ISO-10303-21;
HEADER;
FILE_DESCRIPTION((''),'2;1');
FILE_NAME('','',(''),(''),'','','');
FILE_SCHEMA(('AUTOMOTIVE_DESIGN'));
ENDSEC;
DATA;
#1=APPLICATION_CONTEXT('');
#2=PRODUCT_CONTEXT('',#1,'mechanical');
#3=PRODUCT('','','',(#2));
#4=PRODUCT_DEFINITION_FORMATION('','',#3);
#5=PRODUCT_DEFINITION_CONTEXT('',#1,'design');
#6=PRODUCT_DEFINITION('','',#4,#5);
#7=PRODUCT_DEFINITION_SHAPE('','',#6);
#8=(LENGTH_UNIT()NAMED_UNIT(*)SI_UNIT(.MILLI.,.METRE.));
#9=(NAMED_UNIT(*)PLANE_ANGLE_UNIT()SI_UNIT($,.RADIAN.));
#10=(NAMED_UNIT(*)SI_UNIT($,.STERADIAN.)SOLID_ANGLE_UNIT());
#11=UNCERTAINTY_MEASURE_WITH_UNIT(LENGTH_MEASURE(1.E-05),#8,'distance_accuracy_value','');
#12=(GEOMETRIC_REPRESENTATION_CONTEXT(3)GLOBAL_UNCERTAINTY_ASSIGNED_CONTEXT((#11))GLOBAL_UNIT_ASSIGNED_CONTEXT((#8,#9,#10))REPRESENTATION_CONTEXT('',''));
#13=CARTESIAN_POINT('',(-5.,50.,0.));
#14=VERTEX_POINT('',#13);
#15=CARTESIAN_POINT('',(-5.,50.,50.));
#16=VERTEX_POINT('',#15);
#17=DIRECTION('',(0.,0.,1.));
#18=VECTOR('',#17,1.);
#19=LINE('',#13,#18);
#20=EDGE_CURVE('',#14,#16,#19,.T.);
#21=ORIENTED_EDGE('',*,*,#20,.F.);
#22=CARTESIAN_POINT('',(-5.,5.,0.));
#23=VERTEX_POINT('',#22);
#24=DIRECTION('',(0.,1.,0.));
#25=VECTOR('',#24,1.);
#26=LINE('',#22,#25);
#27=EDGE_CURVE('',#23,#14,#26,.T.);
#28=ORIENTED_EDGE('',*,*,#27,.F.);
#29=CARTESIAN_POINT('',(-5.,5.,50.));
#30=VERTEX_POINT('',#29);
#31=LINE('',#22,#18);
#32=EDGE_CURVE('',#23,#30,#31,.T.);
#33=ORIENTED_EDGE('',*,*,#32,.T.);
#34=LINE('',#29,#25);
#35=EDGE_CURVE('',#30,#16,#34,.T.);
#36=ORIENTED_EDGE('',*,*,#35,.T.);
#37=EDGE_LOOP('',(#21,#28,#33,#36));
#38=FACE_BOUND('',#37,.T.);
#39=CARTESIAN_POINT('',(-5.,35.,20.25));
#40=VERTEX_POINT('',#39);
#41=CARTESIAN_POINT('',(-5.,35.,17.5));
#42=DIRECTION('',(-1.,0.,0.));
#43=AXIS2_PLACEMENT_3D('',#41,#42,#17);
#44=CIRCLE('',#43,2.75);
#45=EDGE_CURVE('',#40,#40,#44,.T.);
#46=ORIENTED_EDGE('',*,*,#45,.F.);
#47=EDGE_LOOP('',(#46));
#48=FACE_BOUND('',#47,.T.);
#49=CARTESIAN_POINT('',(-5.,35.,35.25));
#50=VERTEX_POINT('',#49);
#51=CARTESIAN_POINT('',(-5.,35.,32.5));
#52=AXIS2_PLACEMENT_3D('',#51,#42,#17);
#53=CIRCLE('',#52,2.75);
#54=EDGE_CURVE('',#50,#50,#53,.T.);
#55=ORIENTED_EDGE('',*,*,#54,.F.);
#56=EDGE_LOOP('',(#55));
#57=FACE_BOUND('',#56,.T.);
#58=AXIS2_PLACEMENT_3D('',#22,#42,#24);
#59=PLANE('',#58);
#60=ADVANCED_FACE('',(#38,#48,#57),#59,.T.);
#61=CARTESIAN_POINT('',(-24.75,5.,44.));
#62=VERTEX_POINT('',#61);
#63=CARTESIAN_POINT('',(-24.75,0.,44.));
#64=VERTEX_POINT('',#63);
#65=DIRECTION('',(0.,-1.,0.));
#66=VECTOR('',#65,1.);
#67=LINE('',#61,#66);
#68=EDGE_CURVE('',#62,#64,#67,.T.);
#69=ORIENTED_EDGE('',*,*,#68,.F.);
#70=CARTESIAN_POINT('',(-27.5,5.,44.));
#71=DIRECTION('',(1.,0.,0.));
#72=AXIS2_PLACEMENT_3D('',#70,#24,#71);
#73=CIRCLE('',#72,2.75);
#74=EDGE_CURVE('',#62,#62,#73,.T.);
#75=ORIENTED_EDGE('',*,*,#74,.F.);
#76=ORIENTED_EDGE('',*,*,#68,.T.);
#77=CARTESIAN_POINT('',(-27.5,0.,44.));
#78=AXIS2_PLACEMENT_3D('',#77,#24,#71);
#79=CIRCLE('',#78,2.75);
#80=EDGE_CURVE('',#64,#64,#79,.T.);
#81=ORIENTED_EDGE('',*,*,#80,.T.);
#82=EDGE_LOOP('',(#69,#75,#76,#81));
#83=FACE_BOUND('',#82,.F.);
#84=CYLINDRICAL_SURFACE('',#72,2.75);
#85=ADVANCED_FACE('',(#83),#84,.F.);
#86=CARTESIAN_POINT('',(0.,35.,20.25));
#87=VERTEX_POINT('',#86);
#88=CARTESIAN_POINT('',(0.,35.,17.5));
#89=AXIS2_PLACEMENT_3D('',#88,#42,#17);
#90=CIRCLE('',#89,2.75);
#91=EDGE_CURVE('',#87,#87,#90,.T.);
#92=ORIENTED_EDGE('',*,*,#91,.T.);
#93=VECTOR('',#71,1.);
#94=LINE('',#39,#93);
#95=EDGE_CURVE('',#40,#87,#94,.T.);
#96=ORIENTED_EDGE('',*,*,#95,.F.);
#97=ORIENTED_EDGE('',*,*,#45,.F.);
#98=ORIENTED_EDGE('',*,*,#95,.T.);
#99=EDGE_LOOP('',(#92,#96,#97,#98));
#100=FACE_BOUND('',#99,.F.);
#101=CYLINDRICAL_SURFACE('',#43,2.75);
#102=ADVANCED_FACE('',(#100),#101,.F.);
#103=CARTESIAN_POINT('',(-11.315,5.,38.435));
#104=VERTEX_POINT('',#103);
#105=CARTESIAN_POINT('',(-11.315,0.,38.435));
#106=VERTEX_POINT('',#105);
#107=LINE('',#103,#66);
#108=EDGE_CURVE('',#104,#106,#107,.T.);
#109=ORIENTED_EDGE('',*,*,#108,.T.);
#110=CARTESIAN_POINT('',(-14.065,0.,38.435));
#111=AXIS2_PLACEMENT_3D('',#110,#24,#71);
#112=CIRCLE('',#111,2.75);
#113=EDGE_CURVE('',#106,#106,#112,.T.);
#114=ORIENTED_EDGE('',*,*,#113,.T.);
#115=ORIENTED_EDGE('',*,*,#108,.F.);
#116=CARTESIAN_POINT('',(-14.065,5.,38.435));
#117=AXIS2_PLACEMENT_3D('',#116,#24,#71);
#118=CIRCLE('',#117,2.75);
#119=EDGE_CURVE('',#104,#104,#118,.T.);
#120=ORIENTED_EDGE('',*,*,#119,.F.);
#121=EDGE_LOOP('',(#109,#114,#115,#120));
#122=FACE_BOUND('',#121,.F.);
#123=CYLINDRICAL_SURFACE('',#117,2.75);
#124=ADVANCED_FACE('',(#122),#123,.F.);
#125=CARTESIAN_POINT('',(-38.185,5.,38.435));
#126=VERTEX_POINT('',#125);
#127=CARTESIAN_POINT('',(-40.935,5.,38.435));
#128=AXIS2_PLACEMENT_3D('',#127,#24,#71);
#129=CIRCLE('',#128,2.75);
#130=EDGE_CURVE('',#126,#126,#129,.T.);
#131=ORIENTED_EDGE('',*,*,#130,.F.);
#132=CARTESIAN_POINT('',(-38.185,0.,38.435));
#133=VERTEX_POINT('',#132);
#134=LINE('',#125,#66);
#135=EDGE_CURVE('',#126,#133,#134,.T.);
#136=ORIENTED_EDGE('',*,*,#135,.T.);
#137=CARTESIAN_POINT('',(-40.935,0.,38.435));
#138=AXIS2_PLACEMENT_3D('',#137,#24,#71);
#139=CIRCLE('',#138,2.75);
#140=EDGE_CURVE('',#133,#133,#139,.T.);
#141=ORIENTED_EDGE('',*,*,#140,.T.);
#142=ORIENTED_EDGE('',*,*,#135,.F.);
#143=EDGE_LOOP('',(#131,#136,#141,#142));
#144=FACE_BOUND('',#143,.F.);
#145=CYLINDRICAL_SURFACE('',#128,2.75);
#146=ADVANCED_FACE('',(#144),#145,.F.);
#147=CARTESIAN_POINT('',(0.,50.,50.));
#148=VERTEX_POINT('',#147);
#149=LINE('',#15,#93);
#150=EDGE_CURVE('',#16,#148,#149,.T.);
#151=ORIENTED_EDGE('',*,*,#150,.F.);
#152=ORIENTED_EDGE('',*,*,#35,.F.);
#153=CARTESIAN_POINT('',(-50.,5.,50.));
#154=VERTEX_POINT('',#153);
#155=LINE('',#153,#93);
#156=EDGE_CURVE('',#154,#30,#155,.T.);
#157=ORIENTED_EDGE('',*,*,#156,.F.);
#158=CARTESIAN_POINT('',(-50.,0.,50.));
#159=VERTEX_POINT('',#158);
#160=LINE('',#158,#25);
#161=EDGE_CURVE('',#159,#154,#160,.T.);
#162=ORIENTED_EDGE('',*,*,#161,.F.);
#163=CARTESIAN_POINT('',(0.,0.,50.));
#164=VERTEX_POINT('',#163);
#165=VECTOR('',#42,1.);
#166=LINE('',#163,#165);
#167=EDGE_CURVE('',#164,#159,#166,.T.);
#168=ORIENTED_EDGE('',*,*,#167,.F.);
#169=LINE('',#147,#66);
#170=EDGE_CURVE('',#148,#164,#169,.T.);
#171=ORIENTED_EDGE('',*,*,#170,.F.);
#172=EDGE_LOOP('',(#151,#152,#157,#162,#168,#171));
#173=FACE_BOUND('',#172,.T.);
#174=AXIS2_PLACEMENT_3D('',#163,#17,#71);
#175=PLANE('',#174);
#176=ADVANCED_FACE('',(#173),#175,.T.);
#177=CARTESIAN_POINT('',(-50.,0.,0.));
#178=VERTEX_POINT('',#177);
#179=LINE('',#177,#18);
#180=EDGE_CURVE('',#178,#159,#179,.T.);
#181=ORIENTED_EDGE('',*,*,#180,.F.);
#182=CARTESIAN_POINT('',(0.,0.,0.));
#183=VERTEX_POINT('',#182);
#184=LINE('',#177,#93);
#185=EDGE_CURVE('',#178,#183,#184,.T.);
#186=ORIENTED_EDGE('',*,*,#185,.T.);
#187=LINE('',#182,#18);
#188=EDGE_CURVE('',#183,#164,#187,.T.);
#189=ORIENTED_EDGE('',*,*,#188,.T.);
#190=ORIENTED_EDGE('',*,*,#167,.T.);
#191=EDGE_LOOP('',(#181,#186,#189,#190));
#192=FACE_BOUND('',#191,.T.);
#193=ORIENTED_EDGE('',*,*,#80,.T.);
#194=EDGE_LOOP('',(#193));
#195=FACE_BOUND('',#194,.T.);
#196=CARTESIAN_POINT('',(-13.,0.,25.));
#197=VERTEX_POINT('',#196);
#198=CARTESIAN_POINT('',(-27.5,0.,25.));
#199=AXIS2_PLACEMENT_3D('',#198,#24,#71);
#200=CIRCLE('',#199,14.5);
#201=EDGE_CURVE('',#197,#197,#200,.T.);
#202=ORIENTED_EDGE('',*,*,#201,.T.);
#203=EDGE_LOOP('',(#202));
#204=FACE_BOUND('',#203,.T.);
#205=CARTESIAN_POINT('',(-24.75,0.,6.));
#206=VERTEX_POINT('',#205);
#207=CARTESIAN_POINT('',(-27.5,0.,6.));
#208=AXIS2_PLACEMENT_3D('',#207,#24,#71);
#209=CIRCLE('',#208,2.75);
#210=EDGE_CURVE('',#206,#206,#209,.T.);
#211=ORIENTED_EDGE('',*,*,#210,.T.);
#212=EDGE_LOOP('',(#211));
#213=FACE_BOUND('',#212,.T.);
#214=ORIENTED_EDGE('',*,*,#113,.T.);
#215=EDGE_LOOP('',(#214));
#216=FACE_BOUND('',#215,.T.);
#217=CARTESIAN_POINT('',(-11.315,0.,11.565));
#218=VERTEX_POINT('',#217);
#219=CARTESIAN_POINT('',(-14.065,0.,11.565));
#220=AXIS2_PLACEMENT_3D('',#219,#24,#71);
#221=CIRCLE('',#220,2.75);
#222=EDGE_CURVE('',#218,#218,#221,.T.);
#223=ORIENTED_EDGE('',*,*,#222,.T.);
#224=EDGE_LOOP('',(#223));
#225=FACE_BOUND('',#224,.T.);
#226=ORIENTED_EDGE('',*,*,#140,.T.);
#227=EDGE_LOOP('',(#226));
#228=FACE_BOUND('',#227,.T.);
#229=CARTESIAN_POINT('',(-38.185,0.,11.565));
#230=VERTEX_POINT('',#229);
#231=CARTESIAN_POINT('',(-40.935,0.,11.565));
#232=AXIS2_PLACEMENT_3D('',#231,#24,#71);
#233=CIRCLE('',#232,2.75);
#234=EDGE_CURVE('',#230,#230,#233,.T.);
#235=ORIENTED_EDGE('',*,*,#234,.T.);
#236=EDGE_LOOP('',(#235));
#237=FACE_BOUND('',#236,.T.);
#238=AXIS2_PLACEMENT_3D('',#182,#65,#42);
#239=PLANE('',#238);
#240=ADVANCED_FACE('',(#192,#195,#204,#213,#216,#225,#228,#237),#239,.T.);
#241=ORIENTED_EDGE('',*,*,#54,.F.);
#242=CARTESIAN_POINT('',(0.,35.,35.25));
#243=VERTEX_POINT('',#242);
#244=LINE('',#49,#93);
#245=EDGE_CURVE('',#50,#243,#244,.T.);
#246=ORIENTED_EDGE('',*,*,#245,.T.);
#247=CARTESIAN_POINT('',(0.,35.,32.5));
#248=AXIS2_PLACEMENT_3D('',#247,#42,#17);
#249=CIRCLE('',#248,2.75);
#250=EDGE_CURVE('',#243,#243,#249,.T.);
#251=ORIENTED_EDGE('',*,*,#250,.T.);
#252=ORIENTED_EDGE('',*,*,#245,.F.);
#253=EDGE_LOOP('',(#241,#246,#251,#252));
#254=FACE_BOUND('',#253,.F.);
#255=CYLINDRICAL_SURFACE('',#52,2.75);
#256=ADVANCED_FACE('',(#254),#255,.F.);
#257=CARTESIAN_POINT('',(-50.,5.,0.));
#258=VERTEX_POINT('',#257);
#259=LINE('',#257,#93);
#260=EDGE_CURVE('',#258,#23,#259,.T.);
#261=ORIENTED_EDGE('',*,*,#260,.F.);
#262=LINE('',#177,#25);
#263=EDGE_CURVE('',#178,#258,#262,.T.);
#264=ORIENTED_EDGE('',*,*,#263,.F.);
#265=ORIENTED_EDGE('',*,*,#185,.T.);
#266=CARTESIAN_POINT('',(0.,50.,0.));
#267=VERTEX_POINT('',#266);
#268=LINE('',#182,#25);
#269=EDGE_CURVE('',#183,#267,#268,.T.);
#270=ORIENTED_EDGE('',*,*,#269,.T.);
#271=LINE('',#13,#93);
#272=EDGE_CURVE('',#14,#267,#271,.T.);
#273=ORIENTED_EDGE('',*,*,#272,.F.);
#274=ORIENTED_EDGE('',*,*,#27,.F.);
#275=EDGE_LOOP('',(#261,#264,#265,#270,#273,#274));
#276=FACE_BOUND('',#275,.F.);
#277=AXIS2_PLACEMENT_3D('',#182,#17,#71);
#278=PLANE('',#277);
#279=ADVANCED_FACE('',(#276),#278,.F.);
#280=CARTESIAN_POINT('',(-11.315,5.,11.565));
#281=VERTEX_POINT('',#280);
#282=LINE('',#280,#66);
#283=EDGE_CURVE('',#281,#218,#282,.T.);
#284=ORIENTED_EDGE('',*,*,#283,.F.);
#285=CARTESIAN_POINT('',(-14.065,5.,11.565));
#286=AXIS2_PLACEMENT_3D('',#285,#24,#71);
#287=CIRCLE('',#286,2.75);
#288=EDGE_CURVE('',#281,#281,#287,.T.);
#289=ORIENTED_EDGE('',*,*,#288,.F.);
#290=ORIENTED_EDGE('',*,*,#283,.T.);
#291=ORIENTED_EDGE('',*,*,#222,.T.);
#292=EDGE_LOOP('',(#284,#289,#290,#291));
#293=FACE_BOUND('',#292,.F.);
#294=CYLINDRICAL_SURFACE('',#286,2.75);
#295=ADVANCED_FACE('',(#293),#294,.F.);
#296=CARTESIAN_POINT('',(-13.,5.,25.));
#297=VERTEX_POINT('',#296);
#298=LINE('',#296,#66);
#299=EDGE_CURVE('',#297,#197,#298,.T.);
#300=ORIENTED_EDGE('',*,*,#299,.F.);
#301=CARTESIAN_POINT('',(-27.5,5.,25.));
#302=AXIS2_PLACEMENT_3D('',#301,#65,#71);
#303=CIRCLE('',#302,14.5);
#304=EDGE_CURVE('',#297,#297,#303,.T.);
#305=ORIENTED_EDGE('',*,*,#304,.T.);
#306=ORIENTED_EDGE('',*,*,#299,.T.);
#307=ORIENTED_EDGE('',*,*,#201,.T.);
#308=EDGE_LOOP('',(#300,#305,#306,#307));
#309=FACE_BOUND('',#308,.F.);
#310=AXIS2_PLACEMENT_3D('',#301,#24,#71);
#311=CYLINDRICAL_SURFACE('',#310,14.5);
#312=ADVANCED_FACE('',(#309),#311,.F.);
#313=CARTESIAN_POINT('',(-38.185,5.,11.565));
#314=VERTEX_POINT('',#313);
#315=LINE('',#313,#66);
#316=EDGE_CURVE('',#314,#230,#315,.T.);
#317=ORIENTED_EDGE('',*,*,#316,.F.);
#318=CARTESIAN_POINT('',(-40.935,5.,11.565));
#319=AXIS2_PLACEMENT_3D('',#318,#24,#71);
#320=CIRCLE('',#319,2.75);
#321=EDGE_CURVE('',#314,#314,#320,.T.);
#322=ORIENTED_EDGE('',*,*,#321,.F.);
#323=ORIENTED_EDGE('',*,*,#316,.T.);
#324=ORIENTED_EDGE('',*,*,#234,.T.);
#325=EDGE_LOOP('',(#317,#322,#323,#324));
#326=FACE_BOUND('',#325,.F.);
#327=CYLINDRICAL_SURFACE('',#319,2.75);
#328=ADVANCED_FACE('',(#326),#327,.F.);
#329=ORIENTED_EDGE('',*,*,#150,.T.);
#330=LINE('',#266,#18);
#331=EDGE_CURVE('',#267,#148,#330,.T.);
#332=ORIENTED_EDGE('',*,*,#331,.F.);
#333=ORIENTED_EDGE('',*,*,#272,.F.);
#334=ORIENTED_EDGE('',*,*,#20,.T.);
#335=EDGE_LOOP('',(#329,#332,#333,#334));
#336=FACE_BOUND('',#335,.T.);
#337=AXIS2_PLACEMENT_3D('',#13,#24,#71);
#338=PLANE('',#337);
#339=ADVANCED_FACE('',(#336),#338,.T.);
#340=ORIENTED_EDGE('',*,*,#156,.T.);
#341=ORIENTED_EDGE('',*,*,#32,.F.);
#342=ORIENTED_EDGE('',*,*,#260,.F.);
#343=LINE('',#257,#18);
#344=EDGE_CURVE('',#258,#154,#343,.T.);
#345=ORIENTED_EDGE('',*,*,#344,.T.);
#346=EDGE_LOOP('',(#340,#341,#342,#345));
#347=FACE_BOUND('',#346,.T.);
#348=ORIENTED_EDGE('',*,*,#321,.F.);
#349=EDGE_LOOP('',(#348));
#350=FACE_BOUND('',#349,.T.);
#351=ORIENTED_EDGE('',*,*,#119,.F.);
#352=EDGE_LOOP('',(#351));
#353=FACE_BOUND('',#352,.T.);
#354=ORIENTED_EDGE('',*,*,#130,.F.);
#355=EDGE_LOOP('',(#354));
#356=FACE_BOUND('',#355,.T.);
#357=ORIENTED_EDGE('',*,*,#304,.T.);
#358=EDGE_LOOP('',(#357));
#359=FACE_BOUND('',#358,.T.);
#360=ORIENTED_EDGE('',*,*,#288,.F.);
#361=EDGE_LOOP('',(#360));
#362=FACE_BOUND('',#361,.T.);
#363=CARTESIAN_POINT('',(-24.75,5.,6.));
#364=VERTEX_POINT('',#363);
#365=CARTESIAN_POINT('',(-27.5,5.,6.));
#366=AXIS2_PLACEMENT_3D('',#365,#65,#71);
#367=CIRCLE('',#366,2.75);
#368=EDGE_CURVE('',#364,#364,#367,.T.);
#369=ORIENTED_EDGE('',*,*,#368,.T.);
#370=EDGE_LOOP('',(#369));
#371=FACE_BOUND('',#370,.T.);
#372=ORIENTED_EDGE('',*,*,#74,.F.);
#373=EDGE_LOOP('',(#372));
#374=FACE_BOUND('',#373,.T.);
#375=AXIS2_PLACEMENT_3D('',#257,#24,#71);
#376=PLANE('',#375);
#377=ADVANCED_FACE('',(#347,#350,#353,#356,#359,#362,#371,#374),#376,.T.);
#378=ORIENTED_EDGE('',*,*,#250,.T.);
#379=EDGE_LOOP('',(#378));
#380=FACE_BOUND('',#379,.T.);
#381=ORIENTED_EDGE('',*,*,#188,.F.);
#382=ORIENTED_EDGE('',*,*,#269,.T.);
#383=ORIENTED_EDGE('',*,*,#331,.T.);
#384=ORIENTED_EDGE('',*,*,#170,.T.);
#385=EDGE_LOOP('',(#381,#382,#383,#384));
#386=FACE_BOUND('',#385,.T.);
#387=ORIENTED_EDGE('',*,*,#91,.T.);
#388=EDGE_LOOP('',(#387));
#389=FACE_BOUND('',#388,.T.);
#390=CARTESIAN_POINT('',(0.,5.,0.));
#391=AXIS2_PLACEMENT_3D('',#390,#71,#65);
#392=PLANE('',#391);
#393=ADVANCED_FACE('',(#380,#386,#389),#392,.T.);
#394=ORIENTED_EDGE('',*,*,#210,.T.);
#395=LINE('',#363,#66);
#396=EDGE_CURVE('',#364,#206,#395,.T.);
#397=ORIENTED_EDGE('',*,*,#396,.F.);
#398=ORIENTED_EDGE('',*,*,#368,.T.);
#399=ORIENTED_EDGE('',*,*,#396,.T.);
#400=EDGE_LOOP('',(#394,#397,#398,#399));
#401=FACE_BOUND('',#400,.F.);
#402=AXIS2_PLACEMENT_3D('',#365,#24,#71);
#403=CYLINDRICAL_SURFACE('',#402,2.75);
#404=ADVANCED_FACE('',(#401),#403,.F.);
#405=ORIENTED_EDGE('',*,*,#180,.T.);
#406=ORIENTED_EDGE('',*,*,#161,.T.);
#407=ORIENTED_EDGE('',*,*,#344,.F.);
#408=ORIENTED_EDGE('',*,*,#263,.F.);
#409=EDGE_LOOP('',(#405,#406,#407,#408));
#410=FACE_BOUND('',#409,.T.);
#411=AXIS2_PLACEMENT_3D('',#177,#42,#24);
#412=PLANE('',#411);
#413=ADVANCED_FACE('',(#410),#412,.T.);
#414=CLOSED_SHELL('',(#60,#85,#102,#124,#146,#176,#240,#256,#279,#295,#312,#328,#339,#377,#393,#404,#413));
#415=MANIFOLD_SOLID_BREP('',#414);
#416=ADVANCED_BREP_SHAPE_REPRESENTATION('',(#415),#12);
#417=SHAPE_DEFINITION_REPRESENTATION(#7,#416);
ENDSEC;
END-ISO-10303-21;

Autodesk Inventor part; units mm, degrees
ref_plane "YZ Plane" through (0, 0, 0) normal (1, 0, 0) x (0, 1, 0)
ref_plane "XZ Plane" through (0, 0, 0) normal (0, 1, 0) x (-1, 0, 0)
ref_plane "XY Plane" through (0, 0, 0) normal (0, 0, 1) x (1, 0, 0)
sketch "Sketch1" plane through (0, 0, 0) normal (0, 0, 1) x (1, 0, 0)
  line L0 (0, 0) -> (-5, 0)
  line L1 (-5, 5) -> (-5, 50)
  line L2 (-5, 50) -> (0, 50)
  line L3 (0, 50) -> (0, 0)
  line L4 (0, 0) -> (-50, 0)
  line L5 (-50, 0) -> (-50, 5)
  line L6 (-50, 5) -> (-5, 5)
  line L7 (0, 5) -> (0, 0)
  dimension "d0" = 5
  dimension "d1" = 50
  dimension "d2" = 50
  dimension "d3" = 5
extrude "Extrusion1" add sketch "Sketch1" along normal blind 50
sketch "Sketch3" plane through (-50, 5, 0) normal (0, 1, 0) x (1, 0, 0)
  circle A0 centre (22.5, -25) radius 14.5
  line L0 (45, 0) -> (0, 0) projected
  line L1 (0, 0) -> (0, -50) projected
  line L2 (45, -50) -> (0, -50) projected
  line L3 (45, 0) -> (45, -50) projected
  line L4 (22.5, -25) -> (0, -25)
  line L5 (22.5, -25) -> (22.5, 0)
  line L6 (45, 0) -> (0, 0) projected
  circle A1 centre (35.935, -38.435) radius 2.75
  circle A2 centre (9.065, -38.435) radius 2.75
  circle A3 centre (22.5, -44) radius 2.75
  circle A4 centre (35.935, -11.565) radius 2.75
  circle A5 centre (9.065, -11.565) radius 2.75
  circle A6 centre (22.5, -6) radius 2.75
  point P0 (50, 0)
  dimension "d44" = 29
  dimension "d45" = 45
  dimension "d46" = 22.5
  dimension "d47" = 25
  dimension "d48" = 5.5
  dimension "d49" = 13.435
  dimension "d50" = 13.435
  dimension "d51" = 5.5
  dimension "d52" = 13.435
  dimension "d53" = 13.435
  dimension "d54" = 5.5
  dimension "d55" = 19
  dimension "d56" = 0
extrude "Extrusion2" cut sketch "Sketch3" against normal blind 20 contours A0 L4 L5 | L5 L4 A0 | A6 L5 | L5 A6 | A1 | A2 | A3 | A4 | A5
sketch "Sketch4" plane through (-5, 5, 0) normal (-1, 0, 0) x (0, 0, 1)
  circle A0 centre (17.5, 30) radius 2.75
  line L0 (0, 45) -> (0, 0) projected
  line L1 (0, 45) -> (50, 45) projected
  circle A1 centre (32.5, 30) radius 2.75
  point P0 (0, -5)
  dimension "d59" = 5.5
  dimension "d61" = 17.5
  dimension "d64" = 45
  dimension "d65" = 15
  dimension "d68" = 5.5
  dimension "d69" = 15
  dimension "d70" = 15
  dimension "d71" = 50
extrude "Extrusion3" cut sketch "Sketch4" against normal blind 20
equation "\"d2\" = d1"
equation "\"d3\" = d0"
equation "\"d46\" = 0.5 * d45"
equation "\"d50\" = d49"
equation "\"d52\" = d49"
equation "\"d53\" = d52"
equation "\"d61\" = -0.5 * d69 + 0.5 * d71"
equation "\"d65\" = -0.5 * d63 + 0.5 * d64"
equation "\"d70\" = d65"
equation "\"d63\" = 15"
properties part number "LBent_PScrew"
